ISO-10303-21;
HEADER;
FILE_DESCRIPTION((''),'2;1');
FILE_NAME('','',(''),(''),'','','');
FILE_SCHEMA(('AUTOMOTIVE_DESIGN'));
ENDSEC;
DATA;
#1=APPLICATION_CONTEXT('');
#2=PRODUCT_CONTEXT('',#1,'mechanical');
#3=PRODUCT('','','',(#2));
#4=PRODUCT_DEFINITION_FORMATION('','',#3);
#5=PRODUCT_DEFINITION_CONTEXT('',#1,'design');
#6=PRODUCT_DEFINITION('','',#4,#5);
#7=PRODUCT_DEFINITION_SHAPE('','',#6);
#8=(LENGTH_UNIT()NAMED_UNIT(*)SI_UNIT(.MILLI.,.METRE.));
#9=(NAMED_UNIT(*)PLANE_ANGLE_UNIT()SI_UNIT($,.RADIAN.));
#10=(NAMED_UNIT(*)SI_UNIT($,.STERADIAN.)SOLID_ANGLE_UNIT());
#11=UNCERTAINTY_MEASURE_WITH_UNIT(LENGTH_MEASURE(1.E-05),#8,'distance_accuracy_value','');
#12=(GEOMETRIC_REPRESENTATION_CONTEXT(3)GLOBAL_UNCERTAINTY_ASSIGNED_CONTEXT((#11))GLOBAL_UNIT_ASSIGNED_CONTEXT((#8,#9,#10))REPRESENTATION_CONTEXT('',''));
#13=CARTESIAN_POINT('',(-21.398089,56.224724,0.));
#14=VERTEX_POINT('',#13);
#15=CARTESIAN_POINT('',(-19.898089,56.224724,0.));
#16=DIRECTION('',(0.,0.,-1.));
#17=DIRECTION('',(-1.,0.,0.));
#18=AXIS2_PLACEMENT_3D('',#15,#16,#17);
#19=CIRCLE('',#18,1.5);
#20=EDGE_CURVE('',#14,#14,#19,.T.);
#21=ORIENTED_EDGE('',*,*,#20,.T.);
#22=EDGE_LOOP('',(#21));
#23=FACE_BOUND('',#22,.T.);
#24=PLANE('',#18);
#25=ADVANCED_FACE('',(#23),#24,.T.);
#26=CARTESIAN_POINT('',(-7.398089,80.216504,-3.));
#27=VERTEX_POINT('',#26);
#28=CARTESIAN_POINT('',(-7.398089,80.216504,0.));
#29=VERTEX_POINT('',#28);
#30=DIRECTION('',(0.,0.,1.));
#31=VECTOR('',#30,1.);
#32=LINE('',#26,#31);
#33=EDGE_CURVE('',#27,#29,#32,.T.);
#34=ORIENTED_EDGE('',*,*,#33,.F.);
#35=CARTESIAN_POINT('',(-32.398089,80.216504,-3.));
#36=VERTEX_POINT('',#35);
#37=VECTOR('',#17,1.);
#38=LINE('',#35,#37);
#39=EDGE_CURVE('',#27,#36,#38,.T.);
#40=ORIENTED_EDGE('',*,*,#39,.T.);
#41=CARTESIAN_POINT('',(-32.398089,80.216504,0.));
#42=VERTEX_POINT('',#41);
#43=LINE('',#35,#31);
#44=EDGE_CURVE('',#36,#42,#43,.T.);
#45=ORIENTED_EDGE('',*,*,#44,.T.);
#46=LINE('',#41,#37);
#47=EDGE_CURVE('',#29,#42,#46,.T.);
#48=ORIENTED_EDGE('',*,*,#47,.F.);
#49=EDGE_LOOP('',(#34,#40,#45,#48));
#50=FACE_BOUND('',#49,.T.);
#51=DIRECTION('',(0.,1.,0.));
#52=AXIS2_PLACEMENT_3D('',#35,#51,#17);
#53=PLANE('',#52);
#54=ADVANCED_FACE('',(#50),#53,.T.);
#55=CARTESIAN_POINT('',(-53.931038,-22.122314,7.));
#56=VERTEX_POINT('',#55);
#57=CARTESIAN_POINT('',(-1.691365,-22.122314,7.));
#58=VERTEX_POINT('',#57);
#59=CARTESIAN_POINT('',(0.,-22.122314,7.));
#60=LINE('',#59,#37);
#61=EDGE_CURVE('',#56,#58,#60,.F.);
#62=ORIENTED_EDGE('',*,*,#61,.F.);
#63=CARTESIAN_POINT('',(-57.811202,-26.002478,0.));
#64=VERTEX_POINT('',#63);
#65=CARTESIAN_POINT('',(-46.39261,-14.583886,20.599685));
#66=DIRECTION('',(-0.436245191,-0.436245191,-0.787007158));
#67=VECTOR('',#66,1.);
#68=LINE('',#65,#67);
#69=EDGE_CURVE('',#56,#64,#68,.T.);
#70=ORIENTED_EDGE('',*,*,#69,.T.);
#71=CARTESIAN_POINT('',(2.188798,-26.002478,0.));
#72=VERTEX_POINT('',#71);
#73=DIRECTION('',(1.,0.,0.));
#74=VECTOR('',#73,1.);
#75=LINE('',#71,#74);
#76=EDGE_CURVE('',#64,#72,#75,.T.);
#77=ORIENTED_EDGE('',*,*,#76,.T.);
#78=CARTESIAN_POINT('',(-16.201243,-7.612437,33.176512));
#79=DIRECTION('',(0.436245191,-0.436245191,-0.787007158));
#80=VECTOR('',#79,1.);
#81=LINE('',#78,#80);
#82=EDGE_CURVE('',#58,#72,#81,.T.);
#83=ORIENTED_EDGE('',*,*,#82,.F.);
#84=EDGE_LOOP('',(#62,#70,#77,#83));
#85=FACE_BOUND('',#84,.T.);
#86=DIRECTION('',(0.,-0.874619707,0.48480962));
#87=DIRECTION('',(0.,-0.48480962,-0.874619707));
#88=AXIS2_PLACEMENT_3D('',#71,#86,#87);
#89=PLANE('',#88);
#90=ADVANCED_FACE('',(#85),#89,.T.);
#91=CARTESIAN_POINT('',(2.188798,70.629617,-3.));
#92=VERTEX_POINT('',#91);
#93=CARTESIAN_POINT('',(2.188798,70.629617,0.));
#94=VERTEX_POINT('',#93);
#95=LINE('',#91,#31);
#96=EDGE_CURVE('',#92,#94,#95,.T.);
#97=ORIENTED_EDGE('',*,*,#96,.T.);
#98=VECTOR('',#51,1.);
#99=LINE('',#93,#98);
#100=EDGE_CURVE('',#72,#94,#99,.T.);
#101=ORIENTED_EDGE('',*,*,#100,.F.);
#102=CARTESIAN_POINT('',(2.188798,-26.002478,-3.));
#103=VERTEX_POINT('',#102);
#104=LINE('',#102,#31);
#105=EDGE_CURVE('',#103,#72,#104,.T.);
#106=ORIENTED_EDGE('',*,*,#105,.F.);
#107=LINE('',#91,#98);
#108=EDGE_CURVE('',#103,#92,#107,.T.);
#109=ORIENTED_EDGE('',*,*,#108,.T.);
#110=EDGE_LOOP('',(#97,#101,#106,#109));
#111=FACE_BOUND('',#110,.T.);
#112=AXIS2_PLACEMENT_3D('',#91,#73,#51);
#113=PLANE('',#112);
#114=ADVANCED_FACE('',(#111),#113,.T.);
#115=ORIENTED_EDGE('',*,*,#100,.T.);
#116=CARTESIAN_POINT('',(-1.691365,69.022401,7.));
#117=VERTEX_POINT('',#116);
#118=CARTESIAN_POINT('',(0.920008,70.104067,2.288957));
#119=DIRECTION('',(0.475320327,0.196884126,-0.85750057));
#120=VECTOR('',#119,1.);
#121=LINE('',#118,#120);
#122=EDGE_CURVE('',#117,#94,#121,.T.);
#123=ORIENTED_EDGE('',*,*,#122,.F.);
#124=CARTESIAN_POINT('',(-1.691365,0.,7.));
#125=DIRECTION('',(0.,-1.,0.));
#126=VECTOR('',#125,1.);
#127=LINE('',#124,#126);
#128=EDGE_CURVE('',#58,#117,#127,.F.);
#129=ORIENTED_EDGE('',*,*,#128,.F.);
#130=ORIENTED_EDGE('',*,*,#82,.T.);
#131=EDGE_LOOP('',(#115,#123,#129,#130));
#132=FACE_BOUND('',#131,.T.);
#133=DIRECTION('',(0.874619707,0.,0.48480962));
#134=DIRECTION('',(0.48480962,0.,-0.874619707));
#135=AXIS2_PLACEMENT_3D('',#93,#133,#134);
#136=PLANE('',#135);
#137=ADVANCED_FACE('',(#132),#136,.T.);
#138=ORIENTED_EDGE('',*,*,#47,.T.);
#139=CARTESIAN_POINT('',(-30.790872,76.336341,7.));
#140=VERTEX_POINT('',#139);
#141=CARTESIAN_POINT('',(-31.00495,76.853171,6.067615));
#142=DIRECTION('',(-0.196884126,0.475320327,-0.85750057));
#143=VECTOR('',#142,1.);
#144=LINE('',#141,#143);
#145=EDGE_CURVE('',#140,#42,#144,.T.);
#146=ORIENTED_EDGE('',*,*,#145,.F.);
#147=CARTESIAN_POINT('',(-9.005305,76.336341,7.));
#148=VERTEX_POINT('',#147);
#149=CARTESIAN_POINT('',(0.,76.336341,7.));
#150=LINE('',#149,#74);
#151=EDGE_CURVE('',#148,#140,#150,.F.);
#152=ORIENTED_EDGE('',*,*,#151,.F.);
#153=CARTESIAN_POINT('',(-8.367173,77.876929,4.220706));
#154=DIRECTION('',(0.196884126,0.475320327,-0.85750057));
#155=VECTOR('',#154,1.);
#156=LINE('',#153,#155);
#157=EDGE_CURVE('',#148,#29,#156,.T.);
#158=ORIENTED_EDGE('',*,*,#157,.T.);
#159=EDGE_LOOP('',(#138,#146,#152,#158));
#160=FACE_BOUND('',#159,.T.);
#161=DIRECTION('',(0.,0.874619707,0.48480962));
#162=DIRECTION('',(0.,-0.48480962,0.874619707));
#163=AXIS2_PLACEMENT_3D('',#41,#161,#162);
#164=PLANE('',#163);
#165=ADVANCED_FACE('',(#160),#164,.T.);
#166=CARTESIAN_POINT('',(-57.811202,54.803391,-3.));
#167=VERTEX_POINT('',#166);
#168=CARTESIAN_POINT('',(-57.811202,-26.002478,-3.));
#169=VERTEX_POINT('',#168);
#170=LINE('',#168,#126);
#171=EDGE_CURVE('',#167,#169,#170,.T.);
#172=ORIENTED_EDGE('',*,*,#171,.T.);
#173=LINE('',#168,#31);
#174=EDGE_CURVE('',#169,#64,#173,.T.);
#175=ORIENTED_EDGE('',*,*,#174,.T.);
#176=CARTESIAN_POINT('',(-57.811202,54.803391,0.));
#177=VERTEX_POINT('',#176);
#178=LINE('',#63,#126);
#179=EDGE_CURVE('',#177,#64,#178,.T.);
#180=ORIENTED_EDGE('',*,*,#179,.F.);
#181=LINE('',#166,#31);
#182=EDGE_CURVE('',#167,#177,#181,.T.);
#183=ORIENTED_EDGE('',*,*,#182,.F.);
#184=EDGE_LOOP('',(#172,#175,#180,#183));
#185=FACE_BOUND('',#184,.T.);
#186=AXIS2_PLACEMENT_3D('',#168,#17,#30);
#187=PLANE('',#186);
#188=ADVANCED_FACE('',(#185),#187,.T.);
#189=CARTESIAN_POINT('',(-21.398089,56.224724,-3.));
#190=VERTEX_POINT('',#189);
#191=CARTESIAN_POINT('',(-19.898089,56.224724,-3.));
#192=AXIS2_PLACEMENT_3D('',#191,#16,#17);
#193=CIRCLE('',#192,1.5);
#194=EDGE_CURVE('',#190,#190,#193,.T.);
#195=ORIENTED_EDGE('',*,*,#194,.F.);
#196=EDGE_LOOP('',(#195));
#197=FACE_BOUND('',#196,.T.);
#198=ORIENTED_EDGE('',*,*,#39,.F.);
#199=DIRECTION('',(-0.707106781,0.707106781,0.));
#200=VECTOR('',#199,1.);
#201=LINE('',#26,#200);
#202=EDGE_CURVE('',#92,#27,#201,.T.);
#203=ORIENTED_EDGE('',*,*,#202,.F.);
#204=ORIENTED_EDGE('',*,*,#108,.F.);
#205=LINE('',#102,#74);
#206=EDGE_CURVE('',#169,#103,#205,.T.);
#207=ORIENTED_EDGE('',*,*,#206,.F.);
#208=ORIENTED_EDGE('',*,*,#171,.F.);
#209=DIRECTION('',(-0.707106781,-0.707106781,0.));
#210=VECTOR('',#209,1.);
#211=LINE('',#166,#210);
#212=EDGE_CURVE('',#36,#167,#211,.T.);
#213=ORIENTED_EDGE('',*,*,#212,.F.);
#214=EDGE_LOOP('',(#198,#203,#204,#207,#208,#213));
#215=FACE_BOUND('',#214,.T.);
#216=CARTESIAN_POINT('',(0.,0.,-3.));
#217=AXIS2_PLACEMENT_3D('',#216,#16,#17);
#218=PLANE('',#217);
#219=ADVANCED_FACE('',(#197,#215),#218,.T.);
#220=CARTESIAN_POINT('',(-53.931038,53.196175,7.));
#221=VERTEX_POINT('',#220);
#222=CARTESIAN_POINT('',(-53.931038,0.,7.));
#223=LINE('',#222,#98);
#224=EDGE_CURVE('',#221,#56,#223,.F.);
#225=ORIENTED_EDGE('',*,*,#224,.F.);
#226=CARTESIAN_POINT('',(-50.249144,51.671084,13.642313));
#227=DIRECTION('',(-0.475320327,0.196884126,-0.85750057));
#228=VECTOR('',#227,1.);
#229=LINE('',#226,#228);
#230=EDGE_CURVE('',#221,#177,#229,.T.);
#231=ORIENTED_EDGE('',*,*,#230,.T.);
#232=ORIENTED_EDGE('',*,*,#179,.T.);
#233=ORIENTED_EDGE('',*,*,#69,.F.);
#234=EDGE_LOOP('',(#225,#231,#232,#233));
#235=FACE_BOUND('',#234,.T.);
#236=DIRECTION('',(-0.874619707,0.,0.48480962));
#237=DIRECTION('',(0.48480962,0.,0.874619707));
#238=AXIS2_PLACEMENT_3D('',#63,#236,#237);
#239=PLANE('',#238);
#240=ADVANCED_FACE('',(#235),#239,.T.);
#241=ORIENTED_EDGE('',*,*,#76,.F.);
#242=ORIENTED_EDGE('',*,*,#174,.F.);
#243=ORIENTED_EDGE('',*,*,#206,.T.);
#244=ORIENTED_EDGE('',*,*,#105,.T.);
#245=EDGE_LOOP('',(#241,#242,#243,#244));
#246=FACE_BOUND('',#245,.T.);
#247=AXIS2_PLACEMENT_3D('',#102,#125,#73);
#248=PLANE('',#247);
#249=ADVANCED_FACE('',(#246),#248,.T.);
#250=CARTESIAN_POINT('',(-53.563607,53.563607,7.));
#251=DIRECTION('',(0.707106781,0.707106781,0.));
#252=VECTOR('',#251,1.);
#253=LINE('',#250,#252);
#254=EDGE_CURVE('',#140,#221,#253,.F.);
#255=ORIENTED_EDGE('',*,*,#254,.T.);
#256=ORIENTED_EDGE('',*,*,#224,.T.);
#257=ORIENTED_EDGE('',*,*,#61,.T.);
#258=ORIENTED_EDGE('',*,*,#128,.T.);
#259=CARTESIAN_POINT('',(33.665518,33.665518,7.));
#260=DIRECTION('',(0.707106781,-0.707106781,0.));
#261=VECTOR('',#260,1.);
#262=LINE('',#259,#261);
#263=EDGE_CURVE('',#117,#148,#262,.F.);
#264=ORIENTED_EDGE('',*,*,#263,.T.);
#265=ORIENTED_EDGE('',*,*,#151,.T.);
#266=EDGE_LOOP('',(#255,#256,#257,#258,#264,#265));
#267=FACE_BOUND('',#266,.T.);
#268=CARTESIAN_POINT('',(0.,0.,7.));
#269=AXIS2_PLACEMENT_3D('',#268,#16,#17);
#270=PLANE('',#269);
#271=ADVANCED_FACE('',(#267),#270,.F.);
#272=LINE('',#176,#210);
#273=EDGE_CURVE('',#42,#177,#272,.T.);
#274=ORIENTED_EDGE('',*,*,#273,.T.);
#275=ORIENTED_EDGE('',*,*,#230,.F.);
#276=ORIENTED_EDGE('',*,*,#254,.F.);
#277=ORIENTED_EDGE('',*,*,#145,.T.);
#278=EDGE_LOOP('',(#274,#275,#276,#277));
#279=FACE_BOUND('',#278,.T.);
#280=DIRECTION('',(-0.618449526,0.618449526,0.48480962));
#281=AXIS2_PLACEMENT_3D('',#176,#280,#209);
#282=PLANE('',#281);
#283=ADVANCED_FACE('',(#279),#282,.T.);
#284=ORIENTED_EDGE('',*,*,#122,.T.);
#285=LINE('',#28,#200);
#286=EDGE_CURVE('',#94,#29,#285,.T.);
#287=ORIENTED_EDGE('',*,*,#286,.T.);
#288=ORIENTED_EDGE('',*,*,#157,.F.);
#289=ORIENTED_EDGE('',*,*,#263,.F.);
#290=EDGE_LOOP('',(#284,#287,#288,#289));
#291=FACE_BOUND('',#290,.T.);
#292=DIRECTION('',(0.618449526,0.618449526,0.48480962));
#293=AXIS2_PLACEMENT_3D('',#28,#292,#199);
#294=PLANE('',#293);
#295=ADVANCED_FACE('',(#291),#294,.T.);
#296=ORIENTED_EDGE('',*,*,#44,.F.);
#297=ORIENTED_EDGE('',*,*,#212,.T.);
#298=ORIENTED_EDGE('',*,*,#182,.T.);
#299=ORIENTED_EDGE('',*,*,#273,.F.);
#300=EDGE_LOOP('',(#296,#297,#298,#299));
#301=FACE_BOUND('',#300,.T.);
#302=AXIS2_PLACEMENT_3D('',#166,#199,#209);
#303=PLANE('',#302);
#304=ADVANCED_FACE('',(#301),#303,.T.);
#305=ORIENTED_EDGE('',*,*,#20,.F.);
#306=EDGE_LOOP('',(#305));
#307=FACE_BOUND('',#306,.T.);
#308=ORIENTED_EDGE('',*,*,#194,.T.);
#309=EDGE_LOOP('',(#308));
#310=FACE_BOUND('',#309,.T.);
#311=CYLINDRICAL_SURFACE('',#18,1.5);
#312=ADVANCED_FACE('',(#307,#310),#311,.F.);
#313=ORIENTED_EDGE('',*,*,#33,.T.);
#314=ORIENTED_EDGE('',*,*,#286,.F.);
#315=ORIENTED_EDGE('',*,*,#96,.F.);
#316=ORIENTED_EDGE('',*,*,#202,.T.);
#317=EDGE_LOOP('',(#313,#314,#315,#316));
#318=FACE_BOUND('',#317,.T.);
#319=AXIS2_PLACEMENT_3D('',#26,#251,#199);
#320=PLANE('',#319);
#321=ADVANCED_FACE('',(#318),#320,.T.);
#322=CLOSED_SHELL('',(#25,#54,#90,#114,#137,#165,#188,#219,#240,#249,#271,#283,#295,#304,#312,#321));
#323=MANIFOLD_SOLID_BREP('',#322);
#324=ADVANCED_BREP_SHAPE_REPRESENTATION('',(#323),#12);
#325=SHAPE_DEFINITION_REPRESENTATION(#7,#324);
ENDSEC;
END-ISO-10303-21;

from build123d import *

# Parameters (mm, degrees)
BOSS_EXTRUDE1_DEPTH           = 7
BOSS_EXTRUDE1_TAPER           = 29
BOSS_EXTRUDE1_OTHER_WAY_DEPTH = 3
SKETCH2_R                     = 1.5
CUT_EXTRUDE1_DEPTH            = 3


with BuildPart() as part:
    # Sketch1 → Boss-Extrude1 (new body)
    with BuildSketch(Plane.XY):
        Polygon((-57.811201834, -26.002477708), (2.188798166, -26.002477708), (2.188798166, 70.629617347), (-7.398088721, 80.216504233), (-32.398088721, 80.216504233), (-57.811201834, 54.80339112), align=None)
    extrude(amount=BOSS_EXTRUDE1_DEPTH, taper=BOSS_EXTRUDE1_TAPER)

    # Sketch1 → Boss-Extrude1 other way (add)
    with BuildSketch(Plane.XY):
        Polygon((-57.811201834, -26.002477708), (2.188798166, -26.002477708), (2.188798166, 70.629617347), (-7.398088721, 80.216504233), (-32.398088721, 80.216504233), (-57.811201834, 54.80339112), align=None)
    extrude(amount=-BOSS_EXTRUDE1_OTHER_WAY_DEPTH)

    # Sketch2 → Cut-Extrude1 (cut)
    with BuildSketch(Plane(origin=(0, 0, -3), x_dir=(-1, 0, 0), z_dir=(0, 0, -1))):
        with Locations((19.898088721, 56.224723903)):
            Circle(SKETCH2_R)
    extrude(amount=-CUT_EXTRUDE1_DEPTH, mode=Mode.SUBTRACT)


solid = part.part
